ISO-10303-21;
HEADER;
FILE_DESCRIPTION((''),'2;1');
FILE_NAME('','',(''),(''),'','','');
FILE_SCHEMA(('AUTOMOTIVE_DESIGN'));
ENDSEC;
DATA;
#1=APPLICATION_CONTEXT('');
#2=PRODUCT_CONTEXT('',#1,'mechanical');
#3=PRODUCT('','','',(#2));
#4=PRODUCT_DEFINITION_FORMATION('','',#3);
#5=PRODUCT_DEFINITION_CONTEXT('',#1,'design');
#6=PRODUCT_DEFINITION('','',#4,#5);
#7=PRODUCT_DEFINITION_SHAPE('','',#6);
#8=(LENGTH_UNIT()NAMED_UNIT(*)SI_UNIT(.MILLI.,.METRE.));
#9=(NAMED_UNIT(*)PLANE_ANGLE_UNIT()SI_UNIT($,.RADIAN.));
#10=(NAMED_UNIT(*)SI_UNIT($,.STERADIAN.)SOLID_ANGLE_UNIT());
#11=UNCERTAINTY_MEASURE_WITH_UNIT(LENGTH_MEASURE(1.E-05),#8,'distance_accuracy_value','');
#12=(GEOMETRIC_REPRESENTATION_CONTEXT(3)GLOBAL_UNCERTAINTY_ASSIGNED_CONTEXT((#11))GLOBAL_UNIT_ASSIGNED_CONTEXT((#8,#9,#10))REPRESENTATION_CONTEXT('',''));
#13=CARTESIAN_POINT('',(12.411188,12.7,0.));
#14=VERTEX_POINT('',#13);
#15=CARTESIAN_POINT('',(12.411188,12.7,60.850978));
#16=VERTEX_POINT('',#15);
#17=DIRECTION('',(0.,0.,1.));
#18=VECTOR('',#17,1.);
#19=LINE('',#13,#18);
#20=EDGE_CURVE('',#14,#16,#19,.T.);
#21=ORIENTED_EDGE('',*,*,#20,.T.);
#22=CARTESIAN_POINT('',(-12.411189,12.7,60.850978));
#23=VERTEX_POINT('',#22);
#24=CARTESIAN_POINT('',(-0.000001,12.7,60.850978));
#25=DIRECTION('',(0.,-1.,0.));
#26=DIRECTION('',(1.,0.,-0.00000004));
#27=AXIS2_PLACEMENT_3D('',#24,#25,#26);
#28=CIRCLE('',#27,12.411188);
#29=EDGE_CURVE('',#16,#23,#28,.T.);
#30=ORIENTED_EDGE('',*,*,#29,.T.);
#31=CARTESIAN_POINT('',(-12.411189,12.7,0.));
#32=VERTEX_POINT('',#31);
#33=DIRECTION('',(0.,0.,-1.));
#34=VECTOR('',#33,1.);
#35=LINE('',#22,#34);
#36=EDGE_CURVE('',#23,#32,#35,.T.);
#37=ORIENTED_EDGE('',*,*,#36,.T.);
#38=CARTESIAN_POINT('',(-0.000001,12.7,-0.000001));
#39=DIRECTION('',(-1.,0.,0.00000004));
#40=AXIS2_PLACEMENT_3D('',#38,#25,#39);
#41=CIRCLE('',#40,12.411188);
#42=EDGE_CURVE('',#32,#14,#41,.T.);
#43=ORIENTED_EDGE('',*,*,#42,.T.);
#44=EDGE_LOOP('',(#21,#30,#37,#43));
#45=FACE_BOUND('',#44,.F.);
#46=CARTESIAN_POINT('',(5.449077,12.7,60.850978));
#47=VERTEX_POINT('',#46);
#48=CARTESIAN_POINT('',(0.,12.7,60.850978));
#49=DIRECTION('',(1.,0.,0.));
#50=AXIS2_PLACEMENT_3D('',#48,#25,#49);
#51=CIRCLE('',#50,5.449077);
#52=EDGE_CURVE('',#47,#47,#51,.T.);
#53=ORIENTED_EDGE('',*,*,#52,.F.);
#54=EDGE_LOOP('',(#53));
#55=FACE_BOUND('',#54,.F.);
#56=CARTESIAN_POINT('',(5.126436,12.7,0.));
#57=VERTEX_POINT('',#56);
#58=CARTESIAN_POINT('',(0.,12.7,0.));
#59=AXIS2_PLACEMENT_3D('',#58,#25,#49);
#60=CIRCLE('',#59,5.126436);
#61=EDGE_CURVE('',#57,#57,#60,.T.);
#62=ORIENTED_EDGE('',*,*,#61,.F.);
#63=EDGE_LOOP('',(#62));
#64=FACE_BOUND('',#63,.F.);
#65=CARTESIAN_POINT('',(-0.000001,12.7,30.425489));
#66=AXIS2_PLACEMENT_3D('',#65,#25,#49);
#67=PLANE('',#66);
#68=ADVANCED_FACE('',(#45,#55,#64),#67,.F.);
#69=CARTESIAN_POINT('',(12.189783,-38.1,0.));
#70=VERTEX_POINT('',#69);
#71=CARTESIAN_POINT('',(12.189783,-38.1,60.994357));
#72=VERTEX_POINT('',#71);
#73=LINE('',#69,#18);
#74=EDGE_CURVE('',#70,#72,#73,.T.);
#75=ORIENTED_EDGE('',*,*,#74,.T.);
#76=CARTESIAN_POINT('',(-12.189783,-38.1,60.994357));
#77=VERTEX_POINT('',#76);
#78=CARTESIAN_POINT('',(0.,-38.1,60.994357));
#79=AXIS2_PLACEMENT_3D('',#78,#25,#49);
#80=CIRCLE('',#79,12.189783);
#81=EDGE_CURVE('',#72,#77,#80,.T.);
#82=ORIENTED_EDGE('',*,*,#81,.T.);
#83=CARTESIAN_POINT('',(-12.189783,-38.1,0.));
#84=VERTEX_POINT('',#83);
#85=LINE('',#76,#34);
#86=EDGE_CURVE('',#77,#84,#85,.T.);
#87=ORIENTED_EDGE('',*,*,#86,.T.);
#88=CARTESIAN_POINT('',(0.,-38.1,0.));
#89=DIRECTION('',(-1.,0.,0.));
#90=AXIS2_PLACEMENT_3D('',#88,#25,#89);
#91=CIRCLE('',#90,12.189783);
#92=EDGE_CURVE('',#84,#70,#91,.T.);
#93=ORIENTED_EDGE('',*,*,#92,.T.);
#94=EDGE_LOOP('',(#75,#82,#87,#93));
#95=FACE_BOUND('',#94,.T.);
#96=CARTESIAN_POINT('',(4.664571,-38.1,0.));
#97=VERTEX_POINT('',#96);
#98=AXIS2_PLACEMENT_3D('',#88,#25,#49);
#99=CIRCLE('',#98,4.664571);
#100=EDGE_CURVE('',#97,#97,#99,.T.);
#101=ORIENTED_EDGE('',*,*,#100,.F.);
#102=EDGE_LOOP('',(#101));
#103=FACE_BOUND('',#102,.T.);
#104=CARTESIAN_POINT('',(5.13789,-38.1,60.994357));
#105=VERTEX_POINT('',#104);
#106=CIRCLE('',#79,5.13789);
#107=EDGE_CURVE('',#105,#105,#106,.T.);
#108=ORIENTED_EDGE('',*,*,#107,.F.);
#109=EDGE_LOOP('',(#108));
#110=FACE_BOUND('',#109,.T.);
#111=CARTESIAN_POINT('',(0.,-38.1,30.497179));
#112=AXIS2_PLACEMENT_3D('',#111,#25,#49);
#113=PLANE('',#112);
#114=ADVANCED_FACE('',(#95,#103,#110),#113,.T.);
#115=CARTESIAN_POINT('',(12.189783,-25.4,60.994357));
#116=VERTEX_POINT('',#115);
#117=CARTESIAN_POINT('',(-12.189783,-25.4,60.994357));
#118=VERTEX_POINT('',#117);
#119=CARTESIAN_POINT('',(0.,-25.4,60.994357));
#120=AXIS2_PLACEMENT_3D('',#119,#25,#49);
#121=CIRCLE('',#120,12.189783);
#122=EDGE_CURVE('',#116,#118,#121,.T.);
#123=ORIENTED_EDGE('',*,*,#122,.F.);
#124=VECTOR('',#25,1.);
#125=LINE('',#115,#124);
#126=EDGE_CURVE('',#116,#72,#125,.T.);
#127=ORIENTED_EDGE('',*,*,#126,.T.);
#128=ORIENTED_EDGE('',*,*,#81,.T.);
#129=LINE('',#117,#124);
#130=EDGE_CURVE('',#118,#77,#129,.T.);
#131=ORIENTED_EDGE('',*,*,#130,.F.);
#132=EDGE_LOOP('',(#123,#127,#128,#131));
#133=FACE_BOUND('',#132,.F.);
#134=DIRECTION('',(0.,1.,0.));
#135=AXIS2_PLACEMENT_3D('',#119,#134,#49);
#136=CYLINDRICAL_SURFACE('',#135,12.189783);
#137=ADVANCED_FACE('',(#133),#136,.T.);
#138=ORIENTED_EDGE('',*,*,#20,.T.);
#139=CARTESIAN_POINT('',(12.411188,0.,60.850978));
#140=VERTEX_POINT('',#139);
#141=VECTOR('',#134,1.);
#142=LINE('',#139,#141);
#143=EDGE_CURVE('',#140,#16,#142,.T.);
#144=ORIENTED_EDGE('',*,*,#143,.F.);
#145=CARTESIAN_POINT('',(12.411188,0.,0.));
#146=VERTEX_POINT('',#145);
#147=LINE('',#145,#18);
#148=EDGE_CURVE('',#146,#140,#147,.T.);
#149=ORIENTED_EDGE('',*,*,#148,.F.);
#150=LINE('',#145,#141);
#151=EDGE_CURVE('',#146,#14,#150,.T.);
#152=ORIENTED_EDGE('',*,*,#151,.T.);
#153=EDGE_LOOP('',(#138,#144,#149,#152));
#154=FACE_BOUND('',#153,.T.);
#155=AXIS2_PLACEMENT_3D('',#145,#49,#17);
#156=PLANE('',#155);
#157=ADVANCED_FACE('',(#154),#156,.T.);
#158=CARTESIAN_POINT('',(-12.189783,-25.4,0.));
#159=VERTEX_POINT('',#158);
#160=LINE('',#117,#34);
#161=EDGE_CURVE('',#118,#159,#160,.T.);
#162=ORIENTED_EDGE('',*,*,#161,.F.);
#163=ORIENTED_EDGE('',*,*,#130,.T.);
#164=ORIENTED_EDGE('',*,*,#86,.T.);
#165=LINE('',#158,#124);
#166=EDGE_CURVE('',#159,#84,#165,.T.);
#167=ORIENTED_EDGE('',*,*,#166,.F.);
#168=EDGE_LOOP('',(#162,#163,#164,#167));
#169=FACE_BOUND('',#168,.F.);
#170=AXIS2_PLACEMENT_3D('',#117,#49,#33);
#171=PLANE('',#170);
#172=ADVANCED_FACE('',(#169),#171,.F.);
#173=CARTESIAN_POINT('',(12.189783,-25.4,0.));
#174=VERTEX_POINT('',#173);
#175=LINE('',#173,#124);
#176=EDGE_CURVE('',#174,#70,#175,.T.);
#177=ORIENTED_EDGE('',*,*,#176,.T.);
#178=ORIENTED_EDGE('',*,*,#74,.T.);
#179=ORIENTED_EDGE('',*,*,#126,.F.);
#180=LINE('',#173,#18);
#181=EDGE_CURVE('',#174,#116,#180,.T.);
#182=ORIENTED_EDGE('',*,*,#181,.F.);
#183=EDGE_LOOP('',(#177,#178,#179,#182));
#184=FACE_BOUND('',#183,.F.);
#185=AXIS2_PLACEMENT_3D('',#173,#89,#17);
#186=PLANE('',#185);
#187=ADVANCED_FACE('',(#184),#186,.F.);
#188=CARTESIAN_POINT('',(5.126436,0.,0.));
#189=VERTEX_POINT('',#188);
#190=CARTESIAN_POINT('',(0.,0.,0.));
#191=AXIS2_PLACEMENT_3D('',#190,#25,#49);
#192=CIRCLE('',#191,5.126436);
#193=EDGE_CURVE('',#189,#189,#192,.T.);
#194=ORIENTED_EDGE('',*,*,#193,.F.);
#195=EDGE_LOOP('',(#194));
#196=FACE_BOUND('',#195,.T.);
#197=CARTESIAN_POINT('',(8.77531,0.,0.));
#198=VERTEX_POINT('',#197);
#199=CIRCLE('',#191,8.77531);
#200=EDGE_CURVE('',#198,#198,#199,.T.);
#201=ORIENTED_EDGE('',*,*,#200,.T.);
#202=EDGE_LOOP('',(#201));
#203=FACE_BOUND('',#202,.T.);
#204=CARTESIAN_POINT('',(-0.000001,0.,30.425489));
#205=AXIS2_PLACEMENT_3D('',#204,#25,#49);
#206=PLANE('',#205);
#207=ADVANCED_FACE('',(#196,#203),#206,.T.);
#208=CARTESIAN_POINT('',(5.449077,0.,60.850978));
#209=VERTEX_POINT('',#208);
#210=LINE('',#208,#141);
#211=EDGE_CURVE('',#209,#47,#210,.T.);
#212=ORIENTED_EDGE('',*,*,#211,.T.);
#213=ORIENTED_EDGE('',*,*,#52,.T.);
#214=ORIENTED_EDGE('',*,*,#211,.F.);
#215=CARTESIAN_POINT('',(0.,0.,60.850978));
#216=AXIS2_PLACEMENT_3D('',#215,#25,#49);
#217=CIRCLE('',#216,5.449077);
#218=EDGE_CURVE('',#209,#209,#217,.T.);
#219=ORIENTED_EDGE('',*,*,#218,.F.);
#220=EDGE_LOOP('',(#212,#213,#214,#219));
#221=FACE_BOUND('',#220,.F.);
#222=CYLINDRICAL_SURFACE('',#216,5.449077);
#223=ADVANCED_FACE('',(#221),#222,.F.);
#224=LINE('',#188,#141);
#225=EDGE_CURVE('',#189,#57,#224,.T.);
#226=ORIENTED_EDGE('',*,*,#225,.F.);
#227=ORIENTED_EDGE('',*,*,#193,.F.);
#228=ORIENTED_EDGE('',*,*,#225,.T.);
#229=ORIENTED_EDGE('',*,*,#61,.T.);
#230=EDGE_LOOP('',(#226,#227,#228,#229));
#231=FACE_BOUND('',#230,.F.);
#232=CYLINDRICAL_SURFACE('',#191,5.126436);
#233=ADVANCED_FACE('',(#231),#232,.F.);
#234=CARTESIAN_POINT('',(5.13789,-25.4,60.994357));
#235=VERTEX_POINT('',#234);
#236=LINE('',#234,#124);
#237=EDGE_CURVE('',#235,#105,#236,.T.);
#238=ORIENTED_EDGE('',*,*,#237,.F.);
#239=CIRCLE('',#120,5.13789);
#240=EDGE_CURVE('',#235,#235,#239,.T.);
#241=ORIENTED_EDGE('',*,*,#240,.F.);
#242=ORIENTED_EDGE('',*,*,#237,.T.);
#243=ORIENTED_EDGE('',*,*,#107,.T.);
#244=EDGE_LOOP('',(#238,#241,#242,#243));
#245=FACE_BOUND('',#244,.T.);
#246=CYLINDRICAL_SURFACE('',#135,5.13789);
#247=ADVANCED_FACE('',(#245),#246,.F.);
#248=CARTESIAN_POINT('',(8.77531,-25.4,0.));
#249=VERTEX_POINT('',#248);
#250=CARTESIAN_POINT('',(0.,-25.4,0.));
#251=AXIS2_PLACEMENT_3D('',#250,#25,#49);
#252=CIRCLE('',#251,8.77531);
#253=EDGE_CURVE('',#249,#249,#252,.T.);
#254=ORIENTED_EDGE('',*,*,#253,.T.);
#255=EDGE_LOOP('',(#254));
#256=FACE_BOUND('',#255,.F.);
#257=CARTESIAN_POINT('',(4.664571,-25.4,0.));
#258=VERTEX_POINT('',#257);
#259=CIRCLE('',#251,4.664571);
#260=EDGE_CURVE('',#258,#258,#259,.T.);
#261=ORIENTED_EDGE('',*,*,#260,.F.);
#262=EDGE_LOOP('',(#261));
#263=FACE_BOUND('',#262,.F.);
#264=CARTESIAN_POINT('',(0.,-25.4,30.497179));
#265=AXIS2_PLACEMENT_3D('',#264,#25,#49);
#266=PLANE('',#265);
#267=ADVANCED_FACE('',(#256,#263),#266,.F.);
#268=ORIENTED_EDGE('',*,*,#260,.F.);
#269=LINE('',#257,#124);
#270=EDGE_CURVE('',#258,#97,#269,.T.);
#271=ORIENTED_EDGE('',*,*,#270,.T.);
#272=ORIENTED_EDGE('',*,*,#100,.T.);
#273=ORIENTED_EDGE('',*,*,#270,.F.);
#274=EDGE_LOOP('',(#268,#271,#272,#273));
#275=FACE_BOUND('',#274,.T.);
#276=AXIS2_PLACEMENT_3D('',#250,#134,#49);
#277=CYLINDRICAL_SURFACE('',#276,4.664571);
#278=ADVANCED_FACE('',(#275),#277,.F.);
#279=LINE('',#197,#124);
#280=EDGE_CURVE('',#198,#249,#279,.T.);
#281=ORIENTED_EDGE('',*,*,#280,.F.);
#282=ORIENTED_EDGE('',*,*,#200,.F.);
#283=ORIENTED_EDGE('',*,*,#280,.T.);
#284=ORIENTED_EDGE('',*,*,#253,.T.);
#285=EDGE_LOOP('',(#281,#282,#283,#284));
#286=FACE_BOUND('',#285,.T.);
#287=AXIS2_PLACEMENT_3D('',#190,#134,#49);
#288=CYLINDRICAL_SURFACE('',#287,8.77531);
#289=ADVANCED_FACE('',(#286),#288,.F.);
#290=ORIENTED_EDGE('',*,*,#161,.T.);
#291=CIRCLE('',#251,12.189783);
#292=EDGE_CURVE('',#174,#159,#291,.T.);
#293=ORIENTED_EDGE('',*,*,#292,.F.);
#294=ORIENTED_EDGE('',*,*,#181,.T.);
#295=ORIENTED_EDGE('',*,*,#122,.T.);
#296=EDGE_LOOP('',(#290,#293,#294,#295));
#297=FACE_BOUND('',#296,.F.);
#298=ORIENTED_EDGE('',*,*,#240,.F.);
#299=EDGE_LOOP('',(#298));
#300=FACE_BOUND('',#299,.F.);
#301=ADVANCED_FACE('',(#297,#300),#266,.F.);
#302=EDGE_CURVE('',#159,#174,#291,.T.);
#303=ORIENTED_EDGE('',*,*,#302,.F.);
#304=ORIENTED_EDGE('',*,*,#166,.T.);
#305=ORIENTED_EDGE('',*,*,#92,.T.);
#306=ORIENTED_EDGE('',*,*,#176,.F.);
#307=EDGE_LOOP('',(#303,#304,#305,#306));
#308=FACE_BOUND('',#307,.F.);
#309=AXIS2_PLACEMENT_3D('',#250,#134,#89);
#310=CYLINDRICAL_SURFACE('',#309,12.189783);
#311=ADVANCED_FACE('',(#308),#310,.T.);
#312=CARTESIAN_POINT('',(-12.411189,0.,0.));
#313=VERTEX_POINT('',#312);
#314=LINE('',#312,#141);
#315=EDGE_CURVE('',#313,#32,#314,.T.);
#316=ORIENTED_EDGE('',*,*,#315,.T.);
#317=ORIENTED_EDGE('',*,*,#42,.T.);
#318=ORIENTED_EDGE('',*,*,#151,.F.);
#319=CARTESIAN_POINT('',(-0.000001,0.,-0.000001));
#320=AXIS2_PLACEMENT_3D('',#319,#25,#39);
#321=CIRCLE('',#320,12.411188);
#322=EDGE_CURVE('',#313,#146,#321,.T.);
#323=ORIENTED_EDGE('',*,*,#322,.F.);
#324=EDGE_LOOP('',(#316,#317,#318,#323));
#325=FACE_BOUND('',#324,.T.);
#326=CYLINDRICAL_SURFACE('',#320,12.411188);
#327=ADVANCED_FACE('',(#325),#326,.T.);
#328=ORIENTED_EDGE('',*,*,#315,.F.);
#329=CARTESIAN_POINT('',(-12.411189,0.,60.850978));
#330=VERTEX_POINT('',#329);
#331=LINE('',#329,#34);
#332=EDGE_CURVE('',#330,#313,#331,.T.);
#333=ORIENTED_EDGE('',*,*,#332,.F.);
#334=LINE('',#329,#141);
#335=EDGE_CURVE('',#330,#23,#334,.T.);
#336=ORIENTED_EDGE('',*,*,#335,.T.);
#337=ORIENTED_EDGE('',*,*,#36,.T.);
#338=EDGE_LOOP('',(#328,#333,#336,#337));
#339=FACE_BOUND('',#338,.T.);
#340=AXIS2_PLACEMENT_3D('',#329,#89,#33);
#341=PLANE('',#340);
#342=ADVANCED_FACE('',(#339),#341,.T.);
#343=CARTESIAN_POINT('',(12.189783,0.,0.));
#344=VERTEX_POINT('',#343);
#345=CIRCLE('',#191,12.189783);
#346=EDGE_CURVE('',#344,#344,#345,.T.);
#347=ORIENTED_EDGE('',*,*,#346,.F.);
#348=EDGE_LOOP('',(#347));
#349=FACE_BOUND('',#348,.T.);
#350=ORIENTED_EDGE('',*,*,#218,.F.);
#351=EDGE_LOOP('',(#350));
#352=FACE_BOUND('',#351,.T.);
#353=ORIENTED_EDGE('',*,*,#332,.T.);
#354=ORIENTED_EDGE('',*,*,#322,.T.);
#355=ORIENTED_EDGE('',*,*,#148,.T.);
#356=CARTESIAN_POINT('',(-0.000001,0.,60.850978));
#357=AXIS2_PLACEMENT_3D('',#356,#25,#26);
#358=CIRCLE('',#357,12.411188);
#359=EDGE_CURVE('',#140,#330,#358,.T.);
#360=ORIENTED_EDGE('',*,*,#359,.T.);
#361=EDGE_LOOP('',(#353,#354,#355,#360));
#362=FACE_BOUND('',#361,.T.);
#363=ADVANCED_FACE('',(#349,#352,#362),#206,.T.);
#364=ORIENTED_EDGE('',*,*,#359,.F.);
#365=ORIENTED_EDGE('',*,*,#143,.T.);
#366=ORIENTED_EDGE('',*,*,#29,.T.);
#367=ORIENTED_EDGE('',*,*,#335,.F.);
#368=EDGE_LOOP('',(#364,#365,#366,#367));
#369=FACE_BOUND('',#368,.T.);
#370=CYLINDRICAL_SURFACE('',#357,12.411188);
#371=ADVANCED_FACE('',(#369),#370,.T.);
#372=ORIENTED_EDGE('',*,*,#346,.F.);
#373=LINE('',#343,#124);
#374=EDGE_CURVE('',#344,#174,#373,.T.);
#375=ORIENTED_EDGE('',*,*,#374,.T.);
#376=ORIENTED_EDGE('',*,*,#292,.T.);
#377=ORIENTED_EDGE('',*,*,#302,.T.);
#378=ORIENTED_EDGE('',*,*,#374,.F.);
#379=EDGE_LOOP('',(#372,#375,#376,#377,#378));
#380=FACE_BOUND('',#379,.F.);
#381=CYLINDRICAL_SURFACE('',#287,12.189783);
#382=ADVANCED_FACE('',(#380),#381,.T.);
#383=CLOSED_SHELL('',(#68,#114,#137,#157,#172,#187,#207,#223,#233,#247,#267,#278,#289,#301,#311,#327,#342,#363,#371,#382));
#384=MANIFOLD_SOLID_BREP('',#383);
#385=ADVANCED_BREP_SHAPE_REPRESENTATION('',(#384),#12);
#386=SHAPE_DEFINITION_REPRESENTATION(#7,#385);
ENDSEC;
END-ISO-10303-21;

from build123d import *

# Parameters (mm, degrees)
F0_R     = 12.189783
F0_R_2   = 8.77531
F1_DEPTH = 25.4
F2_R     = 5.126436
F2_R_2   = 5.449077
F3_DEPTH = 12.7
F4_R     = 4.664571
F4_R_2   = 5.13789
F5_DEPTH = 12.7


with BuildPart() as f1:
    # F0 (on Front) → F1 (new body)
    with BuildSketch(Plane.XZ):
        Circle(F0_R)
        Circle(F0_R_2, mode=Mode.SUBTRACT)
    extrude(amount=F1_DEPTH)

    # F2 (on Front) → F3 (join)
    with BuildSketch(Plane.XZ):
        with BuildLine():
            Line((-12.411189, 60.850978), (-12.411189, 0))
            ThreePointArc((-12.411189, 0), (0, -12.411189), (12.411188, 0))
            Line((12.411188, 0), (12.411188, 60.850978))
            ThreePointArc((12.411188, 60.850978), (0, 73.262167), (-12.411189, 60.850978))
        make_face()
        Circle(F2_R, mode=Mode.SUBTRACT)
        with Locations((0, 60.850978)):
            Circle(F2_R_2, mode=Mode.SUBTRACT)
    extrude(amount=-F3_DEPTH)

    # F4 (on face) → F5 (join)
    with BuildSketch(Plane.XZ.offset(25.4)):
        with BuildLine():
            Line((-12.189783, 60.994357), (-12.189783, 0))
            ThreePointArc((-12.189783, 0), (0, -12.189783), (12.189783, 0))
            Line((12.189783, 0), (12.189783, 60.994357))
            ThreePointArc((12.189783, 60.994357), (0, 73.18414), (-12.189783, 60.994357))
        make_face()
        Circle(F4_R, mode=Mode.SUBTRACT)
        with Locations((0, 60.994357)):
            Circle(F4_R_2, mode=Mode.SUBTRACT)
    extrude(amount=F5_DEPTH)


solid = f1.part
